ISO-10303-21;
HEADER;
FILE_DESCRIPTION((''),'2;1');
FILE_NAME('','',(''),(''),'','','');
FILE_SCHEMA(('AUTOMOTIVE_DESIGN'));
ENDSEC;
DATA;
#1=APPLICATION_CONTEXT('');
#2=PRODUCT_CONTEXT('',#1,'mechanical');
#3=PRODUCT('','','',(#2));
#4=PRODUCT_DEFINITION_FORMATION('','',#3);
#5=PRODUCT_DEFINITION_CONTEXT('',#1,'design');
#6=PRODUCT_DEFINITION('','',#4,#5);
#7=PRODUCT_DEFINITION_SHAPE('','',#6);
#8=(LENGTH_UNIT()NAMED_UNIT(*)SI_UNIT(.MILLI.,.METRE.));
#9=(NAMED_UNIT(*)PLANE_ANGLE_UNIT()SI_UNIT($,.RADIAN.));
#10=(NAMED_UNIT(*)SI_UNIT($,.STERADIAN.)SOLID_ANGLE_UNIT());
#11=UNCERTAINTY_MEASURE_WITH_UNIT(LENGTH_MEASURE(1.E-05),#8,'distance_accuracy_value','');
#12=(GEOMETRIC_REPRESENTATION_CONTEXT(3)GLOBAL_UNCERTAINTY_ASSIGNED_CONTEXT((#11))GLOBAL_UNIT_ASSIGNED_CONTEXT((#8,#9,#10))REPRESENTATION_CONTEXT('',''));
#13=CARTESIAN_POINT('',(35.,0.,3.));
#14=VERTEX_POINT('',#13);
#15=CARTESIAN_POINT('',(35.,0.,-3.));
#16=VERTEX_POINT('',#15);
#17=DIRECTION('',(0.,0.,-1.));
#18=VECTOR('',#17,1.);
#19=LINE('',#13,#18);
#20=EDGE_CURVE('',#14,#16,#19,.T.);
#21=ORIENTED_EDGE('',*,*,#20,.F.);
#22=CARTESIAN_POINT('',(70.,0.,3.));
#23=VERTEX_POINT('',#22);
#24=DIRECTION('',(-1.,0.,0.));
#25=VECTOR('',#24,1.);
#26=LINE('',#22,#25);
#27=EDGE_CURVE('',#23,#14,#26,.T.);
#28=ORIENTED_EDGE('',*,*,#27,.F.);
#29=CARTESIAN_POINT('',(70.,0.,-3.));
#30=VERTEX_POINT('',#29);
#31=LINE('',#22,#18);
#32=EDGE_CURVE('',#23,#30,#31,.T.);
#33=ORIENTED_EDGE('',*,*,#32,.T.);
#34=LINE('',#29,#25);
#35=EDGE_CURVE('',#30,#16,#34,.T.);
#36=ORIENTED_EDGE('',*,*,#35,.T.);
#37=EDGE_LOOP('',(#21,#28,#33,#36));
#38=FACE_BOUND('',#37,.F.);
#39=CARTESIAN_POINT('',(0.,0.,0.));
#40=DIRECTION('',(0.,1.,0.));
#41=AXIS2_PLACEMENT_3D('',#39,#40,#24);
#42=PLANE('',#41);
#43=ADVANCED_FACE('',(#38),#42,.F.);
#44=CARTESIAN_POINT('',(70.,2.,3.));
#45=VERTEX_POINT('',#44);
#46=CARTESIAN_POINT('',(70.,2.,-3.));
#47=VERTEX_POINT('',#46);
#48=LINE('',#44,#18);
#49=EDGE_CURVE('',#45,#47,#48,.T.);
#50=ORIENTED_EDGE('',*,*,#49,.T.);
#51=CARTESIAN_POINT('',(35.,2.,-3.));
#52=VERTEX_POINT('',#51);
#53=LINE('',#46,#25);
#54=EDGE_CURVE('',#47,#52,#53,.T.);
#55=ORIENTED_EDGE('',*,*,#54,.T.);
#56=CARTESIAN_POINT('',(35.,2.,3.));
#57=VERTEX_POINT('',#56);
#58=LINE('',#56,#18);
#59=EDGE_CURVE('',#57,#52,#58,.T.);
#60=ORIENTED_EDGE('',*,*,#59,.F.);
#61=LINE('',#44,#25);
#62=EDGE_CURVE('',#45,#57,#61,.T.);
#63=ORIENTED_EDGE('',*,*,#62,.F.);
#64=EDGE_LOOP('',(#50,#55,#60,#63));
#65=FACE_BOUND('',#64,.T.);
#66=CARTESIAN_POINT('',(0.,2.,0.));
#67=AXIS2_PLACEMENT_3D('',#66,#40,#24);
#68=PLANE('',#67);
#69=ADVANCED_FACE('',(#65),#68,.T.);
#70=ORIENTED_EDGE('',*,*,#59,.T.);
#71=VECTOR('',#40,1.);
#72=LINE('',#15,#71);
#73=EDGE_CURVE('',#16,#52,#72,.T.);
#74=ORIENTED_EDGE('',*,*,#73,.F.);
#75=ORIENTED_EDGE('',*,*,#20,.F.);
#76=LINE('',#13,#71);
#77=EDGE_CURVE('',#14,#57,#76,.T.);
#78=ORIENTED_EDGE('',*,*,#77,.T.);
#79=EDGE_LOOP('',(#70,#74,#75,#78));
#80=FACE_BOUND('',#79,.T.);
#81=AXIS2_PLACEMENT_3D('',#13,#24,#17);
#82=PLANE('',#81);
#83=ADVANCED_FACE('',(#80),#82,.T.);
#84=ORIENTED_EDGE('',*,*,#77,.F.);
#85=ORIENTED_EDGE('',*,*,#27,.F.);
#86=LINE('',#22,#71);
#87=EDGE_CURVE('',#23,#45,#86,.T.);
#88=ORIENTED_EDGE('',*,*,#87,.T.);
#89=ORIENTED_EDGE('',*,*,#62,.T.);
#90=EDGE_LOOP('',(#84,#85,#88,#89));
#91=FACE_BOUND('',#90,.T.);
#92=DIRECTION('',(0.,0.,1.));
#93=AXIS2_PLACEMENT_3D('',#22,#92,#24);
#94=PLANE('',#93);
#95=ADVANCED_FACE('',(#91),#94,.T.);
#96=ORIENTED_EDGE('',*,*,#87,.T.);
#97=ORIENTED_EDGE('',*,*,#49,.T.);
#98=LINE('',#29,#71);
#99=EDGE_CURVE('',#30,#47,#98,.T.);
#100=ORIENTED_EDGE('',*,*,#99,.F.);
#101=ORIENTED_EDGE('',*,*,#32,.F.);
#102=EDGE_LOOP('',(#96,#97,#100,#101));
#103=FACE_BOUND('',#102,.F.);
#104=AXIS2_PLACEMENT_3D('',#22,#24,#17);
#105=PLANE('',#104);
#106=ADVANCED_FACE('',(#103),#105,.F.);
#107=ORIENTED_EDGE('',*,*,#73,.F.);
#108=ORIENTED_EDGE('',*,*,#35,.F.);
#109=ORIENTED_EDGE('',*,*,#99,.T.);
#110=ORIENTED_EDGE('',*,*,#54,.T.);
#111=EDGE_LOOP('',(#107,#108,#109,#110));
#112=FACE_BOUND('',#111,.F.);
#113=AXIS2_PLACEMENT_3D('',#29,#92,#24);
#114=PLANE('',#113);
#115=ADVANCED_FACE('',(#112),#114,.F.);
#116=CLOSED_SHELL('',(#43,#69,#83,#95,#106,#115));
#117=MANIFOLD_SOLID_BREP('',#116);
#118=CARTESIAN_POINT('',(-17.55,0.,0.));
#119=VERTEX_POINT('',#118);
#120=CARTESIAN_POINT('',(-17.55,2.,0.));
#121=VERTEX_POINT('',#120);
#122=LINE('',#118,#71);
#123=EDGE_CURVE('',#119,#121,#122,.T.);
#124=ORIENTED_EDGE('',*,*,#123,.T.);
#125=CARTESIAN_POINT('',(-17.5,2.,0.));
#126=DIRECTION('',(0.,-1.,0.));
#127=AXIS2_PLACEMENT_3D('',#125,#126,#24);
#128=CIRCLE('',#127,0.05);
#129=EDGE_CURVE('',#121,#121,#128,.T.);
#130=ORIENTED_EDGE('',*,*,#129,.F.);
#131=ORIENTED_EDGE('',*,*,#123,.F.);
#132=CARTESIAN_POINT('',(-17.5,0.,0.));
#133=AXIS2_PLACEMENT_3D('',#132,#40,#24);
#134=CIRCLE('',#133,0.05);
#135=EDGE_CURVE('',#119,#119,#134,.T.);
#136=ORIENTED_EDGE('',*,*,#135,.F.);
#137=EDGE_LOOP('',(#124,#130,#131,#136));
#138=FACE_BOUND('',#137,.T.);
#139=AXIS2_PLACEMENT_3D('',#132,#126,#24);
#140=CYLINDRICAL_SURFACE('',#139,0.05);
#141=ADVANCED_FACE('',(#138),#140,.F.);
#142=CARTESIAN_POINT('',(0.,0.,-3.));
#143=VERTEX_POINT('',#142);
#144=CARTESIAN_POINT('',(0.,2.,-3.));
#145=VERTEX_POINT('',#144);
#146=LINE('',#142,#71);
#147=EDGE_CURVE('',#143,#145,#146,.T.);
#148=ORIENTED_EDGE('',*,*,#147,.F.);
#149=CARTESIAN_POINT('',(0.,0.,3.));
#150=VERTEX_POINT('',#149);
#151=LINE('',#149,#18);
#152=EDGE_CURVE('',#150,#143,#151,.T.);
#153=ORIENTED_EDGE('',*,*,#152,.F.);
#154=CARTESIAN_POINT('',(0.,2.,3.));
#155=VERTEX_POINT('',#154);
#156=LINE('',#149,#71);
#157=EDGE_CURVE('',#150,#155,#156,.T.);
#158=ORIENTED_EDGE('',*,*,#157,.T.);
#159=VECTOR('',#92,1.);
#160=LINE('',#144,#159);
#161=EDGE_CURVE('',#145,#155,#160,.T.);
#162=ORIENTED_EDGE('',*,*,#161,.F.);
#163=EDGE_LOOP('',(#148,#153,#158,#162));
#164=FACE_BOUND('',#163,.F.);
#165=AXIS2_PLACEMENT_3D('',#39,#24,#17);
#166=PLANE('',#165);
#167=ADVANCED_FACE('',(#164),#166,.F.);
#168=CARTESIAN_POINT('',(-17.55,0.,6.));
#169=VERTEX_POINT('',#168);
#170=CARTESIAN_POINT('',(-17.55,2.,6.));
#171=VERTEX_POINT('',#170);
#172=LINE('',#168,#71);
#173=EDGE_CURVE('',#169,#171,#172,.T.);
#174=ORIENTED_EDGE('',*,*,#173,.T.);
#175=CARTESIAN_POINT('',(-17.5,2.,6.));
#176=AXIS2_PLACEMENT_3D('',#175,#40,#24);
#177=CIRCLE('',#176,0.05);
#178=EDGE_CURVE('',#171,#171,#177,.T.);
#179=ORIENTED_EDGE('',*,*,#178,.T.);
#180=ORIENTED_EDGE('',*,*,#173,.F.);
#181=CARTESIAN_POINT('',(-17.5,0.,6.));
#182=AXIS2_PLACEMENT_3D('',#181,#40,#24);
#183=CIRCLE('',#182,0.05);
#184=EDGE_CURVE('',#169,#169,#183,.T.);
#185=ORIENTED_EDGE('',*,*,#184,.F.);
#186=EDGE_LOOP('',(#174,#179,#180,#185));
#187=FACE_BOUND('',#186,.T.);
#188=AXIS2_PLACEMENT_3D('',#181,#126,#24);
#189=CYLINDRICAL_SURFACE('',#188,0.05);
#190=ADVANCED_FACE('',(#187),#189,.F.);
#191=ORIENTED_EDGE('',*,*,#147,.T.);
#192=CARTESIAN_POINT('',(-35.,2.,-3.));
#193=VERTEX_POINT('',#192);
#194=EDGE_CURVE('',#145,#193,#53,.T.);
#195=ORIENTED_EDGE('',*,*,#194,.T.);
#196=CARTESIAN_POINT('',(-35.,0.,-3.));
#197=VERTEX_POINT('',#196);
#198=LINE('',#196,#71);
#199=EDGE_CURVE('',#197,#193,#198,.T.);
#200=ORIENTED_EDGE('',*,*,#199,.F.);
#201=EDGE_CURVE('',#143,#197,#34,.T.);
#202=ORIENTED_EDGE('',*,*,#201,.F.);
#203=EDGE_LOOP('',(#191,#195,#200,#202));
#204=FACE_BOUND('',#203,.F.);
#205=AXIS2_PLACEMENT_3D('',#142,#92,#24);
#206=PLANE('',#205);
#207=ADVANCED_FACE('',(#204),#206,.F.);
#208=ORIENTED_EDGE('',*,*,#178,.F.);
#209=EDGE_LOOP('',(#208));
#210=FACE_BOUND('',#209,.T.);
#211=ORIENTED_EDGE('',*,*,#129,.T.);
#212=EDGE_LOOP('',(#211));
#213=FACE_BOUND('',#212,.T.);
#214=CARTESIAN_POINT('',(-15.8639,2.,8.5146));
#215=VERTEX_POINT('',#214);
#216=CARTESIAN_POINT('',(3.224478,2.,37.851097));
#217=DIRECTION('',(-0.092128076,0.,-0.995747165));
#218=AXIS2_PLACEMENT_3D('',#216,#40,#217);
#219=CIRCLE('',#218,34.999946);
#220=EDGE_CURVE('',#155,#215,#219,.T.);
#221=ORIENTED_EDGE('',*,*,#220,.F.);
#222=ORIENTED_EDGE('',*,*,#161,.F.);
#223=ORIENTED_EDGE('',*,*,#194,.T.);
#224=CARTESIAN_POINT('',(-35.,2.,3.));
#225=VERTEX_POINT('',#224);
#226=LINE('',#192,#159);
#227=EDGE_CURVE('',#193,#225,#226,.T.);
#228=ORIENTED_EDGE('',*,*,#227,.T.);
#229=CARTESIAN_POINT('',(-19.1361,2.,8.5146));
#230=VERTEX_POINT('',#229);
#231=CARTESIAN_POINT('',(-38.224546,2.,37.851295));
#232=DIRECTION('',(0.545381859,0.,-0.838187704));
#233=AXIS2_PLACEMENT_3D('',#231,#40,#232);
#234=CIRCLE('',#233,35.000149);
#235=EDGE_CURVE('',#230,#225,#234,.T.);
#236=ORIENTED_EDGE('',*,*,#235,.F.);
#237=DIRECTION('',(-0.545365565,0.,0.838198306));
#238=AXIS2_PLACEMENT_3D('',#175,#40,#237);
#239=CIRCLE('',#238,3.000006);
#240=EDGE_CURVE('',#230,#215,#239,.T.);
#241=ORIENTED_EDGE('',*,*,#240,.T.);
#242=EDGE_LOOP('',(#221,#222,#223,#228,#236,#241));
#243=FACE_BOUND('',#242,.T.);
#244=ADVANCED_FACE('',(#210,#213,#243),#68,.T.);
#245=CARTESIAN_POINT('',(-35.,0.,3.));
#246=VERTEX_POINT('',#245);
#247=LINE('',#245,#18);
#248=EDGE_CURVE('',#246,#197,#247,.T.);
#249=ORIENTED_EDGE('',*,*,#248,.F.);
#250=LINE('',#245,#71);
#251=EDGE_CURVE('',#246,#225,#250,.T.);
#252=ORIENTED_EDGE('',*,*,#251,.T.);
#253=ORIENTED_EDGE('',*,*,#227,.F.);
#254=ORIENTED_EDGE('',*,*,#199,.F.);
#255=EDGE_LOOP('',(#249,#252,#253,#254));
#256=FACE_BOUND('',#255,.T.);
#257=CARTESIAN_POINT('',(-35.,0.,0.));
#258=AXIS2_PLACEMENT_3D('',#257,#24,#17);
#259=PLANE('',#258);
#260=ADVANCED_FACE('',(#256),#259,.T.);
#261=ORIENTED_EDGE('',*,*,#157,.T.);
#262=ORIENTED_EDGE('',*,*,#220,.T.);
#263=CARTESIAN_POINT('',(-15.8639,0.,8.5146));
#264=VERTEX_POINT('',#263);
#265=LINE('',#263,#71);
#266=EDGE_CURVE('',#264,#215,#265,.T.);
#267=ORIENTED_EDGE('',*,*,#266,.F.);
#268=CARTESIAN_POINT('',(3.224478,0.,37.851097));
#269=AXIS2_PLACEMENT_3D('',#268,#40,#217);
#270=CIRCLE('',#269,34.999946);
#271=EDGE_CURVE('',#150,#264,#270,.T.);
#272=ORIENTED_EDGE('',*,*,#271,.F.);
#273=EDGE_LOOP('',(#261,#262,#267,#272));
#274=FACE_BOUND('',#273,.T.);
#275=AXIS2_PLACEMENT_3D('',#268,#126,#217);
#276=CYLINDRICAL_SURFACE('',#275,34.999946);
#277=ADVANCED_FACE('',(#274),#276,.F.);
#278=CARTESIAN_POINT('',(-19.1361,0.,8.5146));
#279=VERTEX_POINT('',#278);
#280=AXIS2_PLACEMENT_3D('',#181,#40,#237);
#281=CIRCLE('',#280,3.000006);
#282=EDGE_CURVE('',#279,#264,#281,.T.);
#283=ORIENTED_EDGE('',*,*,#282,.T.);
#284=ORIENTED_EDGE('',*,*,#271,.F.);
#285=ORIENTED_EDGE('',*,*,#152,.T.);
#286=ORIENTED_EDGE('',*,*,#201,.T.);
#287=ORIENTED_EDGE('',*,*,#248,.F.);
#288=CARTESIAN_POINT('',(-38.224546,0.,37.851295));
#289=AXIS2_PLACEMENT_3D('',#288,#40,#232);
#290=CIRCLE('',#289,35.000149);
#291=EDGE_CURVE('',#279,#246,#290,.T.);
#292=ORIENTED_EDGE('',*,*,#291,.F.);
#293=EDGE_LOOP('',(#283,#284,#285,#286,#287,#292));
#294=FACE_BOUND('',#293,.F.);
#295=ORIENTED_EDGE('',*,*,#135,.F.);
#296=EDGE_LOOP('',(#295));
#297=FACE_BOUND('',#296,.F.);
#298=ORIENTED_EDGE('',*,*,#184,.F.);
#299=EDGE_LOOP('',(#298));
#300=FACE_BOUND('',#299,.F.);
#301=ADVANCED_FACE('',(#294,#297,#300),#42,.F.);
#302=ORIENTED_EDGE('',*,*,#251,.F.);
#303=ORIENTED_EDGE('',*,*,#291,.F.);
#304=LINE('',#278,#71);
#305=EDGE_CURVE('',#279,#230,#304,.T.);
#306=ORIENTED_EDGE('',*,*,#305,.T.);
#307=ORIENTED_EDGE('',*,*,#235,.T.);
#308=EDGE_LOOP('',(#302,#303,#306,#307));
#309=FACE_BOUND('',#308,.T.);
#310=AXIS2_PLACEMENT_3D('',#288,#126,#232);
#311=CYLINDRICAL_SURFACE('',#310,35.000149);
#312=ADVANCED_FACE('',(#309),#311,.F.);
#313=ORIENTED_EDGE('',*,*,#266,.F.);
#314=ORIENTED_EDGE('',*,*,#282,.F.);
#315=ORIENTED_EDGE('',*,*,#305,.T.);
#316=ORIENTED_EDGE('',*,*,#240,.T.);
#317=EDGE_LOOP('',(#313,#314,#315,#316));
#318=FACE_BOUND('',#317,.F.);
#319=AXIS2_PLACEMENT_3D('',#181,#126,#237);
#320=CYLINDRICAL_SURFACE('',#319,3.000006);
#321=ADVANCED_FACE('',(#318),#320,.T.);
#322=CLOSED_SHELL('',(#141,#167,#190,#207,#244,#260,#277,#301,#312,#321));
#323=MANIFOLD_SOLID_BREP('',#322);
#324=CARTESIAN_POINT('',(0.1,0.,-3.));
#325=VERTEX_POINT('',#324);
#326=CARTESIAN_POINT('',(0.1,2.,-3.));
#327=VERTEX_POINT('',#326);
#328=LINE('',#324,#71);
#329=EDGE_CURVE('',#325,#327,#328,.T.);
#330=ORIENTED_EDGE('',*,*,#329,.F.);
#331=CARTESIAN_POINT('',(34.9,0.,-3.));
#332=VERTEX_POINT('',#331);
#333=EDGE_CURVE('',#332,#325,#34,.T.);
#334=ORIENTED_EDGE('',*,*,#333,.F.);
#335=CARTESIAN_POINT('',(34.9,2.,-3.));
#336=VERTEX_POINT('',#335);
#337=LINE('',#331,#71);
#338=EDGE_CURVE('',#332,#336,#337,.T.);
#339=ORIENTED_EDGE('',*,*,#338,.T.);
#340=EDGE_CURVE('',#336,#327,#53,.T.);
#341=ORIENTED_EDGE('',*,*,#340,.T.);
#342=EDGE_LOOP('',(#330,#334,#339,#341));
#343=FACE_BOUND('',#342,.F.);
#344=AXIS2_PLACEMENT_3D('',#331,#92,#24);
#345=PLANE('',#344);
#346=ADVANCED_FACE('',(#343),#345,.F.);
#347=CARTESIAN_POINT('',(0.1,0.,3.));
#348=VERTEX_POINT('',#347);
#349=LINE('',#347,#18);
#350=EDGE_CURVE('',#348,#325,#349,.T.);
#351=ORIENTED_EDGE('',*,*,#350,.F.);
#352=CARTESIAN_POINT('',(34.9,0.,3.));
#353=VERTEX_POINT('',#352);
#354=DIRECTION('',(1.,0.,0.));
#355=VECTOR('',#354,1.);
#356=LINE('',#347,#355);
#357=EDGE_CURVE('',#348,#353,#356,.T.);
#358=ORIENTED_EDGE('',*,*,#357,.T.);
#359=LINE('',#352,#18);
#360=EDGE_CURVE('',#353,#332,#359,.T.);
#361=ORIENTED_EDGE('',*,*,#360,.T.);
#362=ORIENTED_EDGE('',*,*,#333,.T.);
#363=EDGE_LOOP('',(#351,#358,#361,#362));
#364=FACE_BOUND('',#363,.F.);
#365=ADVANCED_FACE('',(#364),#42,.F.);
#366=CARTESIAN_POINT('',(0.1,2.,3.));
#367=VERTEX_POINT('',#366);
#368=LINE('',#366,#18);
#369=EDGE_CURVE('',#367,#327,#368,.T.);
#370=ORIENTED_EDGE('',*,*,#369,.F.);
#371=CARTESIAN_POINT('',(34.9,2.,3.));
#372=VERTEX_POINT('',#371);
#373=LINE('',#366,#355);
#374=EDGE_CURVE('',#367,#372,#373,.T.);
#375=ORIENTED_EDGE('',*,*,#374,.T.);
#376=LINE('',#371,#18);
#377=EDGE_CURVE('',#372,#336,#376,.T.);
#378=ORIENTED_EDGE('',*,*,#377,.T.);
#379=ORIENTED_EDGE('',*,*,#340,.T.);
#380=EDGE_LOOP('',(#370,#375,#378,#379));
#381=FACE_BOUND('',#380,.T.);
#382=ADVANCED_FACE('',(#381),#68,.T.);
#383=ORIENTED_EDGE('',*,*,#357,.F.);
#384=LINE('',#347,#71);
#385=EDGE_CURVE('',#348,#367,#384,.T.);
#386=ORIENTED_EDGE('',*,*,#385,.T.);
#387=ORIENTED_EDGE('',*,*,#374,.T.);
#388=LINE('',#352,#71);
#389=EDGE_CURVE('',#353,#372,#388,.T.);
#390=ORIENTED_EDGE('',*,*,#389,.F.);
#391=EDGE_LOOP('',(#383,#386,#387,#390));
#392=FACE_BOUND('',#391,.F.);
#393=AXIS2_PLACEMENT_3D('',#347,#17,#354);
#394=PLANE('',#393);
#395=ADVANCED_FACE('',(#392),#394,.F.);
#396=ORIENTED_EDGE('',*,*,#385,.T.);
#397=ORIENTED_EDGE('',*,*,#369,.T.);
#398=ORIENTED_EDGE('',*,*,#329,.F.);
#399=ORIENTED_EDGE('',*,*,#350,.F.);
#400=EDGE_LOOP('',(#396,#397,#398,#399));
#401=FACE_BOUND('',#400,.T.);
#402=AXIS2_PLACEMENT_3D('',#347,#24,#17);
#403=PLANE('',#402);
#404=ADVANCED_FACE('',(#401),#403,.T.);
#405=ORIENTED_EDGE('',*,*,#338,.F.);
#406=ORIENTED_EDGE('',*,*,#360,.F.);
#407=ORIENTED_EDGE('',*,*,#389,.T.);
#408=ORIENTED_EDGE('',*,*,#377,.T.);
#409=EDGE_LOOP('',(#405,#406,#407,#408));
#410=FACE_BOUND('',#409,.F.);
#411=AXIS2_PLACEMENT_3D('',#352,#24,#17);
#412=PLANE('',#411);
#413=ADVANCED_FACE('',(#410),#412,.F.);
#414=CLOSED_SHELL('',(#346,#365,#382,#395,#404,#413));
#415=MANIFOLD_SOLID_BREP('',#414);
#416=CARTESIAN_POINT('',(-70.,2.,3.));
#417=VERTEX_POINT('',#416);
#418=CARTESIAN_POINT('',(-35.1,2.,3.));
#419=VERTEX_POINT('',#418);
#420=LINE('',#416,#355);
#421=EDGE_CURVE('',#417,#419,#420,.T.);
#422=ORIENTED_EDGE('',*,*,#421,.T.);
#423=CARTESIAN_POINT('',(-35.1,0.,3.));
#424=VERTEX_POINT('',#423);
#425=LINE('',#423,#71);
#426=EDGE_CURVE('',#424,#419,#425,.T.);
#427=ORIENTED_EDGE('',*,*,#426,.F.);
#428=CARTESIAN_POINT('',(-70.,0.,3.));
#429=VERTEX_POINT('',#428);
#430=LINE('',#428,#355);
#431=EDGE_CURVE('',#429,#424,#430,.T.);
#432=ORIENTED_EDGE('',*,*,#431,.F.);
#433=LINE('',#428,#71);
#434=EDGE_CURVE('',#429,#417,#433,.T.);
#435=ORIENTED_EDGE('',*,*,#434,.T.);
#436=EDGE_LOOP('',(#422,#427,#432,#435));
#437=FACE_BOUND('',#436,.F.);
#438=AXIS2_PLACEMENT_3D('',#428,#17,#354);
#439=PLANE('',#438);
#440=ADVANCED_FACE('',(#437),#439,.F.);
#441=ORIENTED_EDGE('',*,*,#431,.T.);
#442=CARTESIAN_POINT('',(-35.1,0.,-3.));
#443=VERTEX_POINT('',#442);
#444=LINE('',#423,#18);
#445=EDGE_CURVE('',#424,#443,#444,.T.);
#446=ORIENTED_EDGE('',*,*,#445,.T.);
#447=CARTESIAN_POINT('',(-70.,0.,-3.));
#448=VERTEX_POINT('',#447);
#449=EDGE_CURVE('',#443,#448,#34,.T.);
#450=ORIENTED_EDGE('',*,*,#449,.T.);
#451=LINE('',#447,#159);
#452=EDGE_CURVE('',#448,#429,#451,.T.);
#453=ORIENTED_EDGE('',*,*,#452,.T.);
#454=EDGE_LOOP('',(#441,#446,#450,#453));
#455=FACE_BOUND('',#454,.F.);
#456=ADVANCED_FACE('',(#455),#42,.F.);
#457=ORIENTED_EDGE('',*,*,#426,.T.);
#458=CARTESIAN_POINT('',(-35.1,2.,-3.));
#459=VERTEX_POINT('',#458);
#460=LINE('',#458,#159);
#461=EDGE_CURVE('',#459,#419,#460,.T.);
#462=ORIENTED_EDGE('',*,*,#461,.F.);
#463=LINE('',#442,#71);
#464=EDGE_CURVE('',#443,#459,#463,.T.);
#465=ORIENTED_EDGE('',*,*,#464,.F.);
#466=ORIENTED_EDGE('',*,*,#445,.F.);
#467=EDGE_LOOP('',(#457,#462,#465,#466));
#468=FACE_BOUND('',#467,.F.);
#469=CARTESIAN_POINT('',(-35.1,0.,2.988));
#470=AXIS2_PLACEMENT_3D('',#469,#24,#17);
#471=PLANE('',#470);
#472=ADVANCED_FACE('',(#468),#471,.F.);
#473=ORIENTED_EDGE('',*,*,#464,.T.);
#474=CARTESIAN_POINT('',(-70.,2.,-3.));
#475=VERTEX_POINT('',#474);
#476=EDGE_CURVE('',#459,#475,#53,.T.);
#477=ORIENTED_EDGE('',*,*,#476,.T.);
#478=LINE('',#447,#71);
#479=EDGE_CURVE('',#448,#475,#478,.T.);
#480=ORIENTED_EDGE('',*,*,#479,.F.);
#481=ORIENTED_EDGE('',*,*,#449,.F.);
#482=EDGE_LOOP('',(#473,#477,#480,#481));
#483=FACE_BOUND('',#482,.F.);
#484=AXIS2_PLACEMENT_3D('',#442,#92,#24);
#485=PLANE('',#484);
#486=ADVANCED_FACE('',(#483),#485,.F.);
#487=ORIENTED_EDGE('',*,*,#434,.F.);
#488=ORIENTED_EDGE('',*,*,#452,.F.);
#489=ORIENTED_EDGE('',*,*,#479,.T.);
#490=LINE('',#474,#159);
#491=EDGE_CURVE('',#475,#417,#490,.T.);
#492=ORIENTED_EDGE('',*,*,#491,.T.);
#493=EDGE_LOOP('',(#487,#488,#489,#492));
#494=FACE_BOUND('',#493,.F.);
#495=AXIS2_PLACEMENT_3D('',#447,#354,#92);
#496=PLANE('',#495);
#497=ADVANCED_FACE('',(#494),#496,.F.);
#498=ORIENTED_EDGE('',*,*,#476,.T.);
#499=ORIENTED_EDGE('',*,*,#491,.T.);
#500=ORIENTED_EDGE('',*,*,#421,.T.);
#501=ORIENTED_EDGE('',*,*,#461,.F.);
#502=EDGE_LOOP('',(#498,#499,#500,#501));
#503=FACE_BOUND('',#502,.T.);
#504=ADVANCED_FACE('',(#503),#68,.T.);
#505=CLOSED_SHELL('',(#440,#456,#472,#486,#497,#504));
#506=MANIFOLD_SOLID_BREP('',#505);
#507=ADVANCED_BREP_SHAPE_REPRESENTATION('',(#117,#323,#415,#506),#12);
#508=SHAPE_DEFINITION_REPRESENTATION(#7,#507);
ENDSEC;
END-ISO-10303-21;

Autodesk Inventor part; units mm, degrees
ref_plane "YZ Plane" through (0, 0, 0) normal (1, 0, 0) x (0, 1, 0)
ref_plane "XZ Plane" through (0, 0, 0) normal (0, 1, 0) x (-1, 0, 0)
ref_plane "XY Plane" through (0, 0, 0) normal (0, 0, 1) x (1, 0, 0)
sketch "Sketch1" plane through (0, 0, 0) normal (0, 1, 0) x (-1, 0, 0)
  line L0 (-70, 3) -> (-70, -3)
  line L1 (-70, -3) -> (70, -3)
  line L2 (70, -3) -> (70, 3)
  line L3 (-70, 3) -> (-35, 3)
  line L4 (-35, 3) -> (-35, -3)
  line L5 (0, 3) -> (0, -3)
  line L6 (0, 3) -> (35, 3)
  line L7 (35, 3) -> (35, -3)
  line L8 (-34.9, 3) -> (-34.9, -3)
  line L9 (-34.9, -3) -> (-35, -3)
  line L10 (-0.1, 3) -> (-0.1, -3)
  line L11 (-0.1, -3) -> (0, -3)
  line L12 (35.1, 3) -> (35.1, -3)
  line L13 (35.1, -3) -> (35, -3)
  line L14 (0, 0) -> (35, 0)
  arc A0 (19.1361, 8.5146) -> (35, 3) centre (38.2245, 37.8512) ccw
  arc A1 (0, 3) -> (15.8639, 8.5146) centre (-3.2245, 37.8512) ccw
  circle A2 centre (17.5, 6) radius 0.05
  circle A3 centre (17.5, 0) radius 0.05
  line L15 (70, 3) -> (35.1, 3)
  arc A4 (19.1361, 8.5146) -> (15.8639, 8.5146) centre (17.5, 6) ccw
  line L16 (70, 3) -> (35.1, 3)
  line L17 (35.1, 2.988) -> (35.1, -3)
  line L18 (35.1, -3) -> (70, -3)
  line L19 (70, -3) -> (70, 3)
  line L20 (-0.1, 3) -> (-34.9, 3)
  line L21 (35, 3) -> (0, 3)
  dimension "d0" = 140
  dimension "d1" = 6
  dimension "d2" = 35
  dimension "d3" = 35
  dimension "d4" = 35
  dimension "d5" = 0.1
  dimension "d6" = 6
  dimension "d7" = 0.1
  dimension "d8" = 6
  dimension "d9" = 0.1
  dimension "d10" = 6
extrude "Extrusion1" add sketch "Sketch1" along normal blind 2 contours L3 L4 L1 L0 | L12 L15 L2 L1 | L5 L14 A3 L7 L1 | L8 L20 L10 L1 | L5 L6 L7 L14 A3 | A1 A4 A0 L6
properties part number "packa_sablona_jekl"
